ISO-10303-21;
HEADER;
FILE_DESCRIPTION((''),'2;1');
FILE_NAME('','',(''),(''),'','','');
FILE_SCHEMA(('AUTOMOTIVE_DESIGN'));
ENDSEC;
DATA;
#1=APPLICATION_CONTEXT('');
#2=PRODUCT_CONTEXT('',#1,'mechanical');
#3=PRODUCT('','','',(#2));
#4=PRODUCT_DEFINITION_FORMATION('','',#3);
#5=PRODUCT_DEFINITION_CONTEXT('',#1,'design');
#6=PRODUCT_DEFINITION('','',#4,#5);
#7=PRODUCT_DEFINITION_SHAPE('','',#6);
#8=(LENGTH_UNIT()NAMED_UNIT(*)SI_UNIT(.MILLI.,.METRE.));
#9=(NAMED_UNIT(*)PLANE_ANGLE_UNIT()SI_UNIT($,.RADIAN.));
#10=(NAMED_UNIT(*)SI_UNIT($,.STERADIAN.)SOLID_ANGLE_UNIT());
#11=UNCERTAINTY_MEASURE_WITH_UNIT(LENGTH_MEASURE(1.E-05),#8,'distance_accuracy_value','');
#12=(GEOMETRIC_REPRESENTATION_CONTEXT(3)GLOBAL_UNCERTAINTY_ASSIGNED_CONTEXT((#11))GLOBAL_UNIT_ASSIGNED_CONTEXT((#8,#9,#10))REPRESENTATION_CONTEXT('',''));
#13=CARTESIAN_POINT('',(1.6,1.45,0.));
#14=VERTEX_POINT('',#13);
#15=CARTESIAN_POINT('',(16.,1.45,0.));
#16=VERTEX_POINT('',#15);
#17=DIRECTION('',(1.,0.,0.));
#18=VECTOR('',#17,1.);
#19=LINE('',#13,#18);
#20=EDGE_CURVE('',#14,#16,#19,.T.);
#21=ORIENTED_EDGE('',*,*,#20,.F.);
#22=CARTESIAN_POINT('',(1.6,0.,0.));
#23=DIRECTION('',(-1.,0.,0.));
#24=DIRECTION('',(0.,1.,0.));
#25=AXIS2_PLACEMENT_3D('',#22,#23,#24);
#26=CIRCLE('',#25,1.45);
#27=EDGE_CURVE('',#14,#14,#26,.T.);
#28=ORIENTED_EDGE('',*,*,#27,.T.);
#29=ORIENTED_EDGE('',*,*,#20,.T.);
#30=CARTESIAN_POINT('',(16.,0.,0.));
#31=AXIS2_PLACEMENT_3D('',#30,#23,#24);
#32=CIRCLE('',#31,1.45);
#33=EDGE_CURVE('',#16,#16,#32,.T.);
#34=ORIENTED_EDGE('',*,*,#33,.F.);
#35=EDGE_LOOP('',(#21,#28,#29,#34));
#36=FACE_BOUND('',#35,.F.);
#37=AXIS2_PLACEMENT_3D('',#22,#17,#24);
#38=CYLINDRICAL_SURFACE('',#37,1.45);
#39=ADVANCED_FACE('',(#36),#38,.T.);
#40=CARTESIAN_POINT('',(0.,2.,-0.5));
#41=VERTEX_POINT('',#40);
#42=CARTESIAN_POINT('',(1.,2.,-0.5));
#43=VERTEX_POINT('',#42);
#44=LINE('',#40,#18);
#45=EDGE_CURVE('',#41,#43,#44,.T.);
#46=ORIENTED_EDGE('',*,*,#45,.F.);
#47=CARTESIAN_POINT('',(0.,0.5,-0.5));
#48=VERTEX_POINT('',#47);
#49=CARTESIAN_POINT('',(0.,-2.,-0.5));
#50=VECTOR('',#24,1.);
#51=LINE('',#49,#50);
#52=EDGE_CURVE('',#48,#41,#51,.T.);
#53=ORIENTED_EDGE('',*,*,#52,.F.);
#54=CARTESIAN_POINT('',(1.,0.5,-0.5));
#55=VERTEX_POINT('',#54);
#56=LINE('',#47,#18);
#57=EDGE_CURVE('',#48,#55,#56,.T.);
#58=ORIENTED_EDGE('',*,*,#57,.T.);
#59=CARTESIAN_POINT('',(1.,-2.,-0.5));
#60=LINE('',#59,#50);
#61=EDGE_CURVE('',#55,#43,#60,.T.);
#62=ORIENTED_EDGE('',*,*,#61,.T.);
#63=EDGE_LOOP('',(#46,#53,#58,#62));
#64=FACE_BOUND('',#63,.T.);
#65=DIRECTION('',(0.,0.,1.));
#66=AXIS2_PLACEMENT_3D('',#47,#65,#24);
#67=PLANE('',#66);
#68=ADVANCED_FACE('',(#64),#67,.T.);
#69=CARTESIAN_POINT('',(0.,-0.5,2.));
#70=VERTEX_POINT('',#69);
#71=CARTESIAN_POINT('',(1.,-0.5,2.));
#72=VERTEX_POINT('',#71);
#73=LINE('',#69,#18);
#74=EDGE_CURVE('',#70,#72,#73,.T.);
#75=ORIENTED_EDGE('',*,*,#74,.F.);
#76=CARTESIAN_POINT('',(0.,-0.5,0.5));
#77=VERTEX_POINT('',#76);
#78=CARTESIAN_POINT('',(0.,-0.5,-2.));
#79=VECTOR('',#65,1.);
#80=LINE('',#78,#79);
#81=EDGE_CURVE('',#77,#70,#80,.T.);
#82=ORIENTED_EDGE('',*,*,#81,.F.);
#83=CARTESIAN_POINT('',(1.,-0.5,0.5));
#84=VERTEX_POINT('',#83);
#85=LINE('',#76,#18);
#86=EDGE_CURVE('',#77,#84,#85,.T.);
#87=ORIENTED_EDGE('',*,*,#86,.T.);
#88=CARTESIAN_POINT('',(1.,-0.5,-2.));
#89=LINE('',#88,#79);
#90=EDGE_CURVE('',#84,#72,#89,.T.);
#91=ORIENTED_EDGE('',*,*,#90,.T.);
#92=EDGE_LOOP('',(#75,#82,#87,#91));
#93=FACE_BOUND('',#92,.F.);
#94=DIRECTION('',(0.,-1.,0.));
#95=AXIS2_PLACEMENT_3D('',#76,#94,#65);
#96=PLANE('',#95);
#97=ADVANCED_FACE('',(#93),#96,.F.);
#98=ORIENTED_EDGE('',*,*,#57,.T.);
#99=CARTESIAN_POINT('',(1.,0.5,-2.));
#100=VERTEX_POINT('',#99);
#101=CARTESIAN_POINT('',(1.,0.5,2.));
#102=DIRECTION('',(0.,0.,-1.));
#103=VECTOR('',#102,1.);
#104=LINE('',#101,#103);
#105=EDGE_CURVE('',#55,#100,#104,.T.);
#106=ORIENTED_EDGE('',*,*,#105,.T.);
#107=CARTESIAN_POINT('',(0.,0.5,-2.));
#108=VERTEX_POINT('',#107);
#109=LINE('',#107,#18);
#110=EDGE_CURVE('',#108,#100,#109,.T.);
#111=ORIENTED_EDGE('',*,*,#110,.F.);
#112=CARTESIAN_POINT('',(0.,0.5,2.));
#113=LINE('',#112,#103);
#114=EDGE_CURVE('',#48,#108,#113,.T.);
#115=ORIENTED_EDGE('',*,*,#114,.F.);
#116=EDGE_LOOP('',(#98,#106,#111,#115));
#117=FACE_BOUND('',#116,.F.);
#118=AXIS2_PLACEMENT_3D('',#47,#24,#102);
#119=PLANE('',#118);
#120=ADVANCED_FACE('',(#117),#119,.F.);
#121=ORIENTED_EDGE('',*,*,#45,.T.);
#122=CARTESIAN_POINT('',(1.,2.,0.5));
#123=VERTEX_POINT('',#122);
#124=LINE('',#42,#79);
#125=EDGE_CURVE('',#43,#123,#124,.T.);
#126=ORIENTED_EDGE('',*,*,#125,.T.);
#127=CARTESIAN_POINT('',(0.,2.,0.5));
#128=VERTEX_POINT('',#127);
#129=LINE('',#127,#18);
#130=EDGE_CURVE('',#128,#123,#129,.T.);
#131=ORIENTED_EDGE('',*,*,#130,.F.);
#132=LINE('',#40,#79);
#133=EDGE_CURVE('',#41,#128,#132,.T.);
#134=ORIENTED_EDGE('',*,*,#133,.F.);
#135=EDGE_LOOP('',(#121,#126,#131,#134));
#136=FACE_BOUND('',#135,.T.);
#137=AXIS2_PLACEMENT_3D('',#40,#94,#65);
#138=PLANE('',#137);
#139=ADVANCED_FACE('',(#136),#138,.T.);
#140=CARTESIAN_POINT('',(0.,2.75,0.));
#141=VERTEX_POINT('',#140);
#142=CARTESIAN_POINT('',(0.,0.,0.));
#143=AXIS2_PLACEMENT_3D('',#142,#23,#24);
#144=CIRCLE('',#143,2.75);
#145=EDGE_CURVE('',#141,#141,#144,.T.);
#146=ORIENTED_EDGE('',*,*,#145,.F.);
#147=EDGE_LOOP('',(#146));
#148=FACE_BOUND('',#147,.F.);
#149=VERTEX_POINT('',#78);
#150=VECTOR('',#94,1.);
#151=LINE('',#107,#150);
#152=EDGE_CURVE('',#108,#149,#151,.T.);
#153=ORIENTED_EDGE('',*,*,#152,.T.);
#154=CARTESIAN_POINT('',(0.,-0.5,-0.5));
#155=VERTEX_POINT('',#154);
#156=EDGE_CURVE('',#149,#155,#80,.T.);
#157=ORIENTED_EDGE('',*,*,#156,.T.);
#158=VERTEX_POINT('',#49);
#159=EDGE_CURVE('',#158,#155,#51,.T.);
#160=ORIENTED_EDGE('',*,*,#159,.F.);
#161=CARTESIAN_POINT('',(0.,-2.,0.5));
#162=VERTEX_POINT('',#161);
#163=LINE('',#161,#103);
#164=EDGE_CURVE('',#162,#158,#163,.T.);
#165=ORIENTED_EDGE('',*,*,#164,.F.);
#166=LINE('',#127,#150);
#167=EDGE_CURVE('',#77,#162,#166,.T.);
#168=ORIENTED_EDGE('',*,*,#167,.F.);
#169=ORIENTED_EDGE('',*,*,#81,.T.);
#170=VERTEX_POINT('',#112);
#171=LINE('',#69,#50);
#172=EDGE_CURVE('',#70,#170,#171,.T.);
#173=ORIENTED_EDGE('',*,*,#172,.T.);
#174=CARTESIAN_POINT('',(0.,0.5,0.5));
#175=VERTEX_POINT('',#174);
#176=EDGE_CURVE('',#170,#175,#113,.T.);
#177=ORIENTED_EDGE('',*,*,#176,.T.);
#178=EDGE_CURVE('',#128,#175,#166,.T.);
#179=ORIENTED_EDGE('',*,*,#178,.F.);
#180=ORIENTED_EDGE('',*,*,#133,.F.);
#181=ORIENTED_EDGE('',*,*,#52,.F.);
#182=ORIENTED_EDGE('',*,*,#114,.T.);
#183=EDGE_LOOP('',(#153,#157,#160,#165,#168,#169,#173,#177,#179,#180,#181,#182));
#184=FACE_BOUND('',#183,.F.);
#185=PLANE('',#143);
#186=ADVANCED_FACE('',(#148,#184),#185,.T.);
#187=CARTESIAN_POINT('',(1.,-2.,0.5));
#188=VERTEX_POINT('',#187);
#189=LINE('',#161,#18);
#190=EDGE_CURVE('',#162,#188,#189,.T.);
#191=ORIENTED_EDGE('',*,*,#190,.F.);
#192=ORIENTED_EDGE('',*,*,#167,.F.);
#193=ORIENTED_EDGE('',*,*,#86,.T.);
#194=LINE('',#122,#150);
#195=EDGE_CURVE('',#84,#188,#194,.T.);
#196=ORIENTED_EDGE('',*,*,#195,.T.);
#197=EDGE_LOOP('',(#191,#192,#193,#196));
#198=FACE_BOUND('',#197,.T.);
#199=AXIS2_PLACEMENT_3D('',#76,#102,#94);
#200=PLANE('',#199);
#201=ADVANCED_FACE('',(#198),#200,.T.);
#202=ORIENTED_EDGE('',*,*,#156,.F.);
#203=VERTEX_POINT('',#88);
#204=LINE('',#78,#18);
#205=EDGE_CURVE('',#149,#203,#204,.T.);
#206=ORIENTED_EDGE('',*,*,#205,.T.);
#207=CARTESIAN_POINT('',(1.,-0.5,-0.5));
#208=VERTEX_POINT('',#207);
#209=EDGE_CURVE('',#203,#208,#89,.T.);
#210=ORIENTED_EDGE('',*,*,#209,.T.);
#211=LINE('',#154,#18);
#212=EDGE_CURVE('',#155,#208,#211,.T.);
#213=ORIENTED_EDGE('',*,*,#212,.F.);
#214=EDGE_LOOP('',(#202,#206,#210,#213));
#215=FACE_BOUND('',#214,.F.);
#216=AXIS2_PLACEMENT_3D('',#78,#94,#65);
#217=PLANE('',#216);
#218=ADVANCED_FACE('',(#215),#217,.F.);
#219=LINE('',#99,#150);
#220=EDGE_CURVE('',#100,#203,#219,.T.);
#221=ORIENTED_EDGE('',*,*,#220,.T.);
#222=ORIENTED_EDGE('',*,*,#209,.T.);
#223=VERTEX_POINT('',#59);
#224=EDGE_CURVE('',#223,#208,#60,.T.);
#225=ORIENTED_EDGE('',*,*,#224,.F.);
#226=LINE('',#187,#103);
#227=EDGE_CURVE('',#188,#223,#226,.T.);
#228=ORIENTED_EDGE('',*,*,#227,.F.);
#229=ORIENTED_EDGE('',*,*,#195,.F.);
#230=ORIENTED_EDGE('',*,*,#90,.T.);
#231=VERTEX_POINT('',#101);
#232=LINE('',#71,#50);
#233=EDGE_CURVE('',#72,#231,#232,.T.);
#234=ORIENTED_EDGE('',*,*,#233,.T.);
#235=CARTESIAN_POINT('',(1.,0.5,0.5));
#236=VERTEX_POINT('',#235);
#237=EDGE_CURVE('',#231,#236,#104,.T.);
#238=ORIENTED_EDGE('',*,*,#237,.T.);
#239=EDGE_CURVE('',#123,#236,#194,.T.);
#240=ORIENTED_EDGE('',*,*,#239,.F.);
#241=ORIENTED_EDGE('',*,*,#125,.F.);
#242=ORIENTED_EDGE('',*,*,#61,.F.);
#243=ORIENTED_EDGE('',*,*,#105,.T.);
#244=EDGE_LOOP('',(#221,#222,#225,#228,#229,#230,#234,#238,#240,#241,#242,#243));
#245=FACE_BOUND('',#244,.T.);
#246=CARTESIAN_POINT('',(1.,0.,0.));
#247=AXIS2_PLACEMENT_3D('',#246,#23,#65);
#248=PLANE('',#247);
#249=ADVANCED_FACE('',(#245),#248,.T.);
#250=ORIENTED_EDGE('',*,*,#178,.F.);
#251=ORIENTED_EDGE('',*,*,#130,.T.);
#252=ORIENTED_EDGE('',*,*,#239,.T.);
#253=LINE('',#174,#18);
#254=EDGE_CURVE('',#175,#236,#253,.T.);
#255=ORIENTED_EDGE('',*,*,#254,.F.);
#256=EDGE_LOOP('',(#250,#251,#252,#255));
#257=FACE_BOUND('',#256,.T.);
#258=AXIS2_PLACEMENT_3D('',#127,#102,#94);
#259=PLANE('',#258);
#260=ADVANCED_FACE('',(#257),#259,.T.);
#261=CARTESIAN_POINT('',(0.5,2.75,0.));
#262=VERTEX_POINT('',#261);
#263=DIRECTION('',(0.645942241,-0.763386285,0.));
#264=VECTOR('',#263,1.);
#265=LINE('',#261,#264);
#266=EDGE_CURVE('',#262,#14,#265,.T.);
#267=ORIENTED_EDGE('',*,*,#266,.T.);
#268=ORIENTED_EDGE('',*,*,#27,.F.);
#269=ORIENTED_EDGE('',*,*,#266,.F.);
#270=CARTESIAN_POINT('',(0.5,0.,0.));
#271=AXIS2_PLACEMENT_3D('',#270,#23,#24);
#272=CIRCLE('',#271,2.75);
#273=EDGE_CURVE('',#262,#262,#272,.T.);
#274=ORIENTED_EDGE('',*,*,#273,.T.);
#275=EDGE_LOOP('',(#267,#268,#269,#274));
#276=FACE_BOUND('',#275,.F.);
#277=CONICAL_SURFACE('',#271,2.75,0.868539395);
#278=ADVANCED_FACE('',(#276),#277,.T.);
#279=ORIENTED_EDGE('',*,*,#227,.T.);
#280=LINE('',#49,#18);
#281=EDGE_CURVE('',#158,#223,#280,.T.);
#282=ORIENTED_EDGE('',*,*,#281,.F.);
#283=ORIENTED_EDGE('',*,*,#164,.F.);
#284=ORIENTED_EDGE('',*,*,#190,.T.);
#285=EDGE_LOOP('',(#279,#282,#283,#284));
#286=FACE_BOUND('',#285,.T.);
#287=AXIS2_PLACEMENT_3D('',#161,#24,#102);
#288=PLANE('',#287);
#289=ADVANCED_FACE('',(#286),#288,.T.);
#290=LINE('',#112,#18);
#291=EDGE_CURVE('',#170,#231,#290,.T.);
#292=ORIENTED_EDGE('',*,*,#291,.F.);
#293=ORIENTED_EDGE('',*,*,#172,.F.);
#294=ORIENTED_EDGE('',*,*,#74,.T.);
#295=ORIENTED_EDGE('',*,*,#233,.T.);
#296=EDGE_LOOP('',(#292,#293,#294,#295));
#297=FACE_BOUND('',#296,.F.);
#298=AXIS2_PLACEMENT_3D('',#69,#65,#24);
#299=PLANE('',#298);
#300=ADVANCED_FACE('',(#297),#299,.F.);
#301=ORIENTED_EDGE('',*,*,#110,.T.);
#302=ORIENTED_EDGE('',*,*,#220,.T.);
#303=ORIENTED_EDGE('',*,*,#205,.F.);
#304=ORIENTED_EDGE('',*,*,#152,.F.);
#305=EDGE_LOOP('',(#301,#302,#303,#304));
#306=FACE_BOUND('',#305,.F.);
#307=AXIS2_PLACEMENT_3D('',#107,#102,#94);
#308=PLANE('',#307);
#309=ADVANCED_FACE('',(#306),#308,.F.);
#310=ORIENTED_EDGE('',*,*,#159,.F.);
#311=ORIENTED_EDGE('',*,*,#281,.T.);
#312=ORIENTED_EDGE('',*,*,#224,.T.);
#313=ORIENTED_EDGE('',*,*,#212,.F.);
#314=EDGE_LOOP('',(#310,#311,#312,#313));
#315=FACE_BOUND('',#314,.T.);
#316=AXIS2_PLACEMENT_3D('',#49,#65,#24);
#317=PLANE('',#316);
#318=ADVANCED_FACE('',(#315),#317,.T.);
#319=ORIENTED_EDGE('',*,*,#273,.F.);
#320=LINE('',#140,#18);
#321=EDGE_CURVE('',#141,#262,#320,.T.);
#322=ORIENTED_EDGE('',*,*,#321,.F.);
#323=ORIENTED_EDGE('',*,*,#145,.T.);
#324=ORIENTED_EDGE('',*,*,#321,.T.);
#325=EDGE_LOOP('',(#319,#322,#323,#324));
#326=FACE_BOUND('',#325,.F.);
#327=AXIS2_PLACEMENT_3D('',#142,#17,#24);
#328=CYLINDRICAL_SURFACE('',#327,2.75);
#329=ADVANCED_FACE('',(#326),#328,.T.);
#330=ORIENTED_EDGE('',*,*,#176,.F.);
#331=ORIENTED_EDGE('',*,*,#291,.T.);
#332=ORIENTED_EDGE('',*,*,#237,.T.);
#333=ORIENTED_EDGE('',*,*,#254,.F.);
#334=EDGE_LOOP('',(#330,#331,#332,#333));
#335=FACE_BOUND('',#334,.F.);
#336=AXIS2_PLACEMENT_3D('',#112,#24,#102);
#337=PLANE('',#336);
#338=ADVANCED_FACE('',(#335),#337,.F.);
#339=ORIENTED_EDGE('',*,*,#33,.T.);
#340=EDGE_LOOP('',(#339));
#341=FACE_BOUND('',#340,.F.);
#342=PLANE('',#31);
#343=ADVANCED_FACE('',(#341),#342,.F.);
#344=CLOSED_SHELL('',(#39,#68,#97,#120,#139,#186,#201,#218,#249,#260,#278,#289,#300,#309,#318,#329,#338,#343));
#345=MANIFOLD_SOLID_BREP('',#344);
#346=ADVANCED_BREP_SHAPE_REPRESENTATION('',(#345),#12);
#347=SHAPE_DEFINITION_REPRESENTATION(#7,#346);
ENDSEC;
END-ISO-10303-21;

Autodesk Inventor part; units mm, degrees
ref_plane "YZ Plane" through (0, 0, 0) normal (1, 0, 0) x (0, 1, 0)
ref_plane "XZ Plane" through (0, 0, 0) normal (0, 1, 0) x (-1, 0, 0)
ref_plane "XY Plane" through (0, 0, 0) normal (0, 0, 1) x (1, 0, 0)
sketch "Эскиз4" plane through (0, 0, 0) normal (0, 0, 1) x (1, 0, 0)
  line L0 (0, 0) -> (0, 2.75)
  line L1 (1.6, 1.45) -> (16, 1.45)
  line L2 (16, 1.45) -> (16, 0)
  line L3 (16, 0) -> (0, 0)
  line L4 (0, 2.75) -> (0.5, 2.75)
  line L5 (0.5, 2.75) -> (1.6, 1.45)
  dimension "d14" = 16
  dimension "d15" = 1.45
  dimension "d17" = 2.75
  dimension "d18" = 0.5
  dimension "d19" = 1.6
revolve "Вращение1" add sketch "Эскиз4" angle 360 about axis through (16, 0, 0) along (-1, 0, 0)
thread "Резьба2" size "M3x0.5" class "6g" standard "ANSI Metric M Profile" full length
sketch "Эскиз5" plane through (0, 0, 0) normal (-1, 0, 0) x (0, 0, 1)
  line L0 (0.5, -2) -> (-0.5, -2)
  line L1 (-0.5, -2) -> (-0.5, 2)
  line L2 (-0.5, 2) -> (0.5, 2)
  line L3 (0.5, 2) -> (0.5, -2)
  line L4 (0.5, -2) -> (-0.5, 2) construction
  line L5 (-0.5, -2) -> (0.5, 2) construction
  line L6 (-2, -0.5) -> (2, -0.5)
  line L7 (2, -0.5) -> (2, 0.5)
  line L8 (2, 0.5) -> (-2, 0.5)
  line L9 (-2, 0.5) -> (-2, -0.5)
  circle A0 centre (0, 0) radius 2.75 projected
  line L10 (-2, -0.5) -> (2, 0.5) construction
  line L11 (2, -0.5) -> (-2, 0.5) construction
  point P0 (-0.5, 0.5)
  point P1 (-0.5, -0.5)
  point P2 (0.5, -0.5)
  point P3 (0.5, 0.5)
  dimension "d23" = 1
  dimension "d24" = 4
extrude "Выдавливание4" cut sketch "Эскиз5" against normal blind 1 contours L0 L1 L6 L3 | L6 L1 L8 L3 | L3 L8 L7 L6 | L6 L9 L8 L1 | L8 L1 L2 L3
properties part number "Болт М3х15"
